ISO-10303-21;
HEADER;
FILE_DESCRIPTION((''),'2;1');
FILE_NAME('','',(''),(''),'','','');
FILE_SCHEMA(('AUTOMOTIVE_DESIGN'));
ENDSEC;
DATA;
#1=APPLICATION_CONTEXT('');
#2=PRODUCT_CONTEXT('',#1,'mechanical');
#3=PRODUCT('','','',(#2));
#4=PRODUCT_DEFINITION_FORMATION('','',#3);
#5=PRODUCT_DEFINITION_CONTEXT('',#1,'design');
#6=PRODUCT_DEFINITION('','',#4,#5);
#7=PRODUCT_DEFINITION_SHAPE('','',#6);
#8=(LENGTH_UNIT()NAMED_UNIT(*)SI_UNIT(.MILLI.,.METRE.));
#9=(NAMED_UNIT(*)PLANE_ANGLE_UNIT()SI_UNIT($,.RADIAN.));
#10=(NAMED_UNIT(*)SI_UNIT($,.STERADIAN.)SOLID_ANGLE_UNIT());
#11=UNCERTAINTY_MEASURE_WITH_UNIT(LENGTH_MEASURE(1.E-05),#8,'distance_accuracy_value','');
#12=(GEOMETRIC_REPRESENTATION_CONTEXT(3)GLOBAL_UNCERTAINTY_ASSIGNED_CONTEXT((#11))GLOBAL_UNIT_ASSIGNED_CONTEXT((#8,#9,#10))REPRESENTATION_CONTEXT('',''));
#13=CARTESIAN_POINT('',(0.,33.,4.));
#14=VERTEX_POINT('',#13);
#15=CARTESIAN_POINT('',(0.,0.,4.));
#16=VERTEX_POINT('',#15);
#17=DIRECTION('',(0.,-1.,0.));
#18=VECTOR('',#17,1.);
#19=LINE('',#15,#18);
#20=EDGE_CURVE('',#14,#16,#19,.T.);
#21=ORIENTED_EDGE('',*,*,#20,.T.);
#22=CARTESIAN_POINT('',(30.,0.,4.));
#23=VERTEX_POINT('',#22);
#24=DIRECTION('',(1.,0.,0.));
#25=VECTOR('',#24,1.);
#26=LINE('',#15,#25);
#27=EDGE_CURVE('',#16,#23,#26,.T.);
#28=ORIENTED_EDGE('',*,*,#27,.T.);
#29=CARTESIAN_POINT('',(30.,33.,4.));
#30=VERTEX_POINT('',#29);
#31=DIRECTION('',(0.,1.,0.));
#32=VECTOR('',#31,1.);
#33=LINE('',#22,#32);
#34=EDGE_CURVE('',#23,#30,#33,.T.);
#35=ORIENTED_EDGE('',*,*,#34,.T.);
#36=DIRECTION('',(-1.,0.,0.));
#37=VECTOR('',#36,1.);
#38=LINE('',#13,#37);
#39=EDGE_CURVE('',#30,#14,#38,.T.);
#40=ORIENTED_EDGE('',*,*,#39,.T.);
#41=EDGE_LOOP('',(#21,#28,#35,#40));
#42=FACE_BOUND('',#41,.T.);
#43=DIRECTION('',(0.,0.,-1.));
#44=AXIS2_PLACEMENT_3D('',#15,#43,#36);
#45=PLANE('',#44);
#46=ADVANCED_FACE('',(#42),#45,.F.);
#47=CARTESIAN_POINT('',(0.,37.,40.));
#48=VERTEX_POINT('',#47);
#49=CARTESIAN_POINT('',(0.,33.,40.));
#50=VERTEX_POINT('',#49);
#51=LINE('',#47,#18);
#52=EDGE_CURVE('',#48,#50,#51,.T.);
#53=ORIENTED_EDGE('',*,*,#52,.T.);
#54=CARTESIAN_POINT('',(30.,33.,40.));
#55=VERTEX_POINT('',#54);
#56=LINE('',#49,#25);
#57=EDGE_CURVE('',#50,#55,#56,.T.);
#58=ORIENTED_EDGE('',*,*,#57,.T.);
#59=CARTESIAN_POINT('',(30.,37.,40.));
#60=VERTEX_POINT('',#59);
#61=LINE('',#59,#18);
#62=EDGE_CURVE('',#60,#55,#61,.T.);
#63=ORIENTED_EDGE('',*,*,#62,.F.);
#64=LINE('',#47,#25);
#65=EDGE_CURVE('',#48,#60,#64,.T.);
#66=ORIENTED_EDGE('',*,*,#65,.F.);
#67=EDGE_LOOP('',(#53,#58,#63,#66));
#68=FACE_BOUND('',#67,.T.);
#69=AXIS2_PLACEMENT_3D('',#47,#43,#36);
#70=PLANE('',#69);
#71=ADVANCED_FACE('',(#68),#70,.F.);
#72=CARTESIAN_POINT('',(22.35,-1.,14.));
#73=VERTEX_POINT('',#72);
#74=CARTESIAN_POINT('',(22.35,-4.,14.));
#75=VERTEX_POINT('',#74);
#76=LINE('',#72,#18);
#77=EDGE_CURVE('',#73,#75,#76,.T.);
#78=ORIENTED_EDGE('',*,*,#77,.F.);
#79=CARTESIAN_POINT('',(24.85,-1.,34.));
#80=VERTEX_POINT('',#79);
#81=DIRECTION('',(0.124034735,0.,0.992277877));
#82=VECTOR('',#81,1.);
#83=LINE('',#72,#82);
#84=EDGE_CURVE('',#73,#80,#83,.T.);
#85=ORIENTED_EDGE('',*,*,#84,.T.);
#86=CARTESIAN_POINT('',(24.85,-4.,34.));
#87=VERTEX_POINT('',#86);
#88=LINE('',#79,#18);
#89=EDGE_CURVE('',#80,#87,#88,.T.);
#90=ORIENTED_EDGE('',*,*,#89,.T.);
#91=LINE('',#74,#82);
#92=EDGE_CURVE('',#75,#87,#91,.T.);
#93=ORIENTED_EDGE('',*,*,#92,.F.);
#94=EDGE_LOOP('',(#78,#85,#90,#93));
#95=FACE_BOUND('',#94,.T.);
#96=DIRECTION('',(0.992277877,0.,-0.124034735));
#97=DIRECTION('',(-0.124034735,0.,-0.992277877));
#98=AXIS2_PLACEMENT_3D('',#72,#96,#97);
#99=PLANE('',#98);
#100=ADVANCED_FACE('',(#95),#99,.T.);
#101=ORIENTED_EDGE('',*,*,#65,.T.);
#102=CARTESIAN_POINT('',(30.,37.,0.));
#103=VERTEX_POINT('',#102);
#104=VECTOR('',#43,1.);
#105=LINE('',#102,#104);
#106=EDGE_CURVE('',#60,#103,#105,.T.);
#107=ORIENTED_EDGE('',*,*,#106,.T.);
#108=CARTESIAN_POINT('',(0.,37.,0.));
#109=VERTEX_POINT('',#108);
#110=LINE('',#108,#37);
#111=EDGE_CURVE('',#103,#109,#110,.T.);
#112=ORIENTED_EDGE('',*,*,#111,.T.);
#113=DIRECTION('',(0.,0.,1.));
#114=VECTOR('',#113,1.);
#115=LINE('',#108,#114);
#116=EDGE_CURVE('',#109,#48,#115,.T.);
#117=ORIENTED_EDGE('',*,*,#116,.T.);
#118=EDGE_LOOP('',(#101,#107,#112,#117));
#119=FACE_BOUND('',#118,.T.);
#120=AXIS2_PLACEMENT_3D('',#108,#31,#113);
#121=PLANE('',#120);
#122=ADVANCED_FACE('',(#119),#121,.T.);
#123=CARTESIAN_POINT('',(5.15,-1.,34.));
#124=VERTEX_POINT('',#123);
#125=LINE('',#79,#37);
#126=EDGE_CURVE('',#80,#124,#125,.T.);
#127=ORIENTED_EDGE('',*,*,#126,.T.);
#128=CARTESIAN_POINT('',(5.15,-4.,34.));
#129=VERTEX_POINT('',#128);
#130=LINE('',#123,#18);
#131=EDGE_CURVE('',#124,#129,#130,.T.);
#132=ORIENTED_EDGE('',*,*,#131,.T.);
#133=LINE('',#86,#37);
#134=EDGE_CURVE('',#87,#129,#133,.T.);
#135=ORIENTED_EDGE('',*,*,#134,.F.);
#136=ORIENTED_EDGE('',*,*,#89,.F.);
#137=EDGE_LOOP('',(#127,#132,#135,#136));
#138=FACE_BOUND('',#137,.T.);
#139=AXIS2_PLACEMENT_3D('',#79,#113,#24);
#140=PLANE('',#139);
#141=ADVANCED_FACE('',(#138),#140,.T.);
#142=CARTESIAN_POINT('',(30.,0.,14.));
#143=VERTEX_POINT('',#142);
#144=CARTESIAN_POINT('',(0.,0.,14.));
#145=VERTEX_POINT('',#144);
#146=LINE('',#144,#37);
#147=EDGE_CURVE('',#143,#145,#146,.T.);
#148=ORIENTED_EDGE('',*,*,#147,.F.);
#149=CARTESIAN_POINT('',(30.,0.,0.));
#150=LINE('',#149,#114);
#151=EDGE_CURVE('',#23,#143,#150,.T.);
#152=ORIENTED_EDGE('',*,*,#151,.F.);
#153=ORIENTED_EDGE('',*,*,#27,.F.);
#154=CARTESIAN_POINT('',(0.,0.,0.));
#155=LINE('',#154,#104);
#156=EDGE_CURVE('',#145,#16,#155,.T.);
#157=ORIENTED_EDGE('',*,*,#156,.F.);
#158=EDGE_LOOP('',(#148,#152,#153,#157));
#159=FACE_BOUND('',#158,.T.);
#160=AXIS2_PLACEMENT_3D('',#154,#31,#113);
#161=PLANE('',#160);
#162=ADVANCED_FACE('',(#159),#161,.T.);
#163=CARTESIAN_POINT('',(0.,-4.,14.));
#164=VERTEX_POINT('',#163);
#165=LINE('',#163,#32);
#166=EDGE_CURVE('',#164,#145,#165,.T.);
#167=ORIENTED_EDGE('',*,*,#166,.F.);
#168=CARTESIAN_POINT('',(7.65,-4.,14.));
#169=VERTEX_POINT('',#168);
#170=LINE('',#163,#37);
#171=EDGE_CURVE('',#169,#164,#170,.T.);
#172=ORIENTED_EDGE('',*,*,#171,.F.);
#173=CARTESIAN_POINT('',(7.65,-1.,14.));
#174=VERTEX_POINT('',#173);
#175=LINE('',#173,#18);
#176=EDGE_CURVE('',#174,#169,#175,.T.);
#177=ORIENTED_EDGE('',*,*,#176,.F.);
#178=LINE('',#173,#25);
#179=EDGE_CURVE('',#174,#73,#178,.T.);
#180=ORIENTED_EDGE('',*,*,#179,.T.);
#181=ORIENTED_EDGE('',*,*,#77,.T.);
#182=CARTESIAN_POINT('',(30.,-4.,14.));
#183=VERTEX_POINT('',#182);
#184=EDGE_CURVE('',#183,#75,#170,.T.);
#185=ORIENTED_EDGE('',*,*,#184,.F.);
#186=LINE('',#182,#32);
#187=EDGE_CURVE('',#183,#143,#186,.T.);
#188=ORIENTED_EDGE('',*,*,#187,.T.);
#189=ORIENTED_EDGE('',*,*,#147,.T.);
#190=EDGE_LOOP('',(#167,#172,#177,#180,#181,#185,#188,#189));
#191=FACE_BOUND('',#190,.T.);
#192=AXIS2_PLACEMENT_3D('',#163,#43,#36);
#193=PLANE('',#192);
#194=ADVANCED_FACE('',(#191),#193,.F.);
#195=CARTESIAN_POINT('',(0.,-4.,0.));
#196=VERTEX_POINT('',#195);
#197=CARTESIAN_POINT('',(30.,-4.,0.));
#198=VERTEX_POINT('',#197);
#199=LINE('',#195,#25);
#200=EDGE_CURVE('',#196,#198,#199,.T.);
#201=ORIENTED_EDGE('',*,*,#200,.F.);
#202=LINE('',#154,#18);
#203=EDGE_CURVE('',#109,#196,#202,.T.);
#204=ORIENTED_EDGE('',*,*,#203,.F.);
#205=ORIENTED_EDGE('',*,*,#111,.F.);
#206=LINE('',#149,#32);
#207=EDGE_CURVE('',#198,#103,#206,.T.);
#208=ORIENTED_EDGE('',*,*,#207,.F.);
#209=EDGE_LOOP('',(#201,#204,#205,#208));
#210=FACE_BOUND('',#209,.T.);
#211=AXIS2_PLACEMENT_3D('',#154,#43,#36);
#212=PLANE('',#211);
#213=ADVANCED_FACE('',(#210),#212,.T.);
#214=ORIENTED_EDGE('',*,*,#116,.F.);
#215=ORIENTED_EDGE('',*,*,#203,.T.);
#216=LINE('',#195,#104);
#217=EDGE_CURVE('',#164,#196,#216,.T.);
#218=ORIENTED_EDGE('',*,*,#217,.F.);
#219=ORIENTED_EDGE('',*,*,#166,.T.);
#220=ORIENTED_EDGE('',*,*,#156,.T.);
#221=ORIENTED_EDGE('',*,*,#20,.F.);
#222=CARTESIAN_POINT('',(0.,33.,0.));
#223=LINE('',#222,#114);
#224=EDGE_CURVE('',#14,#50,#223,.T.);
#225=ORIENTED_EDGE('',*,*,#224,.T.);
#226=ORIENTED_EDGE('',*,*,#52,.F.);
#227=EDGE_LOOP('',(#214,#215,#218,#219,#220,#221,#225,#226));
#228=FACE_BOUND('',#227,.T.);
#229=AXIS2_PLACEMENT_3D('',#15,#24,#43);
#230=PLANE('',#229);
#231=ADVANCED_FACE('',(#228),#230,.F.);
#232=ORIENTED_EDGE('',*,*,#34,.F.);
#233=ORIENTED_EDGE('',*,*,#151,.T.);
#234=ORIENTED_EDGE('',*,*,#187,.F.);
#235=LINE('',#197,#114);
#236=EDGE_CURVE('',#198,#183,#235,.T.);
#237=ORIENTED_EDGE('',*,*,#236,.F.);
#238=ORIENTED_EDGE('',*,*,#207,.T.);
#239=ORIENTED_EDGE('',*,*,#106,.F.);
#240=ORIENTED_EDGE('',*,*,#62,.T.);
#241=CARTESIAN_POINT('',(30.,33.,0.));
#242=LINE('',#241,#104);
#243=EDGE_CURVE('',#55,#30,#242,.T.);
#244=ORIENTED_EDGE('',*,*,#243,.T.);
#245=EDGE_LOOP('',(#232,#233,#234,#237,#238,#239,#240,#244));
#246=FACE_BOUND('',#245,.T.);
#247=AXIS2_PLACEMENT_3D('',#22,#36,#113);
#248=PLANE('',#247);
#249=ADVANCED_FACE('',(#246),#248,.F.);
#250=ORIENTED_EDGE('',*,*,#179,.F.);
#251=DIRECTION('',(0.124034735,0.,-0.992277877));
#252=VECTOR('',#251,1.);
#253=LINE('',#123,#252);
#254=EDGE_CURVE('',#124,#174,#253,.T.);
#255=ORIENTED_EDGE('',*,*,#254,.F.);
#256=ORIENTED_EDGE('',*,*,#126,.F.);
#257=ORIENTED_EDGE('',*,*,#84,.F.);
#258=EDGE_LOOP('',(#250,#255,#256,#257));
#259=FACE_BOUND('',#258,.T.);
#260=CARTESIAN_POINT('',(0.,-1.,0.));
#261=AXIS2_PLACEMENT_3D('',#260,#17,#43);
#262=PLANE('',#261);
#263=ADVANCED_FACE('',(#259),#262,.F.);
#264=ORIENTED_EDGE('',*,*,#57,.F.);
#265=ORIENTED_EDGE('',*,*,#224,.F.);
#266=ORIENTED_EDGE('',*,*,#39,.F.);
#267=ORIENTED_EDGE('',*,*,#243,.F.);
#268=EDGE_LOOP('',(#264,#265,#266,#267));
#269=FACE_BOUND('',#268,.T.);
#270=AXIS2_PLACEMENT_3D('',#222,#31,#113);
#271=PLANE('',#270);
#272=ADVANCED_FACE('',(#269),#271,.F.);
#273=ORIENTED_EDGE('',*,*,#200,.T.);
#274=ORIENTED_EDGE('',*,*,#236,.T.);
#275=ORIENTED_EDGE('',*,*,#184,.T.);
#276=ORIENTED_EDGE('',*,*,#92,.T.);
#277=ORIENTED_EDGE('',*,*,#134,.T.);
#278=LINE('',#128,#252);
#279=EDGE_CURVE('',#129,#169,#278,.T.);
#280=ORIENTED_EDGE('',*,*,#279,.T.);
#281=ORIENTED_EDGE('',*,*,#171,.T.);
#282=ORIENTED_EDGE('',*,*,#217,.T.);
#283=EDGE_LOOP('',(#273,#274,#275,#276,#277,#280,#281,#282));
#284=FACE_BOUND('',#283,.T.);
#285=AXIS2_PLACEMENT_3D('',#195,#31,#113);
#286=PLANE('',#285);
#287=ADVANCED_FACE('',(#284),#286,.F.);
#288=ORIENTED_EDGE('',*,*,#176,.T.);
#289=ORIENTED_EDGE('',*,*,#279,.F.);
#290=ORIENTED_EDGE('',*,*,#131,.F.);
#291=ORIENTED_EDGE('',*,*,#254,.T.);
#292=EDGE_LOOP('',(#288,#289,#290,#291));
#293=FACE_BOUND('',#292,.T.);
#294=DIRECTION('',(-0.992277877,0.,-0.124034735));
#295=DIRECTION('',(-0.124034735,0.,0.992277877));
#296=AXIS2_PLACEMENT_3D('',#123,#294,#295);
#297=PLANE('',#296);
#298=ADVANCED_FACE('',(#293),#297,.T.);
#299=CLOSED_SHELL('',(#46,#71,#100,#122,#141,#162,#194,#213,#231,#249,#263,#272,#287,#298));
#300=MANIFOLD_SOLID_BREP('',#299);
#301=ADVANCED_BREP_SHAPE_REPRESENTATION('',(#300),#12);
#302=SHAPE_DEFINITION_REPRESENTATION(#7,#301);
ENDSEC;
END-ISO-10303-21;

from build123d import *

# Parameters (mm, degrees)
SKETCH1_W           = 30
SKETCH1_H           = 33
BOSS_EXTRUDE1_DEPTH = 4
SKETCH2_W           = 30
SKETCH2_H           = 40
BOSS_EXTRUDE2_DEPTH = 4
SKETCH4_W           = 30
SKETCH4_H           = 14
BOSS_EXTRUDE3_DEPTH = 4
BOSS_EXTRUDE4_DEPTH = 3


with BuildPart() as part:
    # Sketch1 → Boss-Extrude1 (new body)
    with BuildSketch(Plane.XY):
        with Locations((15, 16.5)):
            Rectangle(SKETCH1_W, SKETCH1_H)
    extrude(amount=BOSS_EXTRUDE1_DEPTH)

    # Sketch2 → Boss-Extrude2 (add)
    with BuildSketch(Plane(origin=(0, 33, 0), x_dir=(1, 0, 0), z_dir=(0, 1, 0))):
        with Locations((15, -20)):
            Rectangle(SKETCH2_W, SKETCH2_H)
    extrude(amount=BOSS_EXTRUDE2_DEPTH)

    # Sketch4 → Boss-Extrude3 (add)
    with BuildSketch(Plane.XZ):
        with Locations((15, 7)):
            Rectangle(SKETCH4_W, SKETCH4_H)
    extrude(amount=BOSS_EXTRUDE3_DEPTH)

    # Sketch3 → Boss-Extrude4 (add)
    with BuildSketch(Plane.XZ.offset(4)):
        Polygon((7.65, 14), (22.35, 14), (24.85, 34), (5.15, 34), align=None)
    extrude(amount=-BOSS_EXTRUDE4_DEPTH)


solid = part.part
